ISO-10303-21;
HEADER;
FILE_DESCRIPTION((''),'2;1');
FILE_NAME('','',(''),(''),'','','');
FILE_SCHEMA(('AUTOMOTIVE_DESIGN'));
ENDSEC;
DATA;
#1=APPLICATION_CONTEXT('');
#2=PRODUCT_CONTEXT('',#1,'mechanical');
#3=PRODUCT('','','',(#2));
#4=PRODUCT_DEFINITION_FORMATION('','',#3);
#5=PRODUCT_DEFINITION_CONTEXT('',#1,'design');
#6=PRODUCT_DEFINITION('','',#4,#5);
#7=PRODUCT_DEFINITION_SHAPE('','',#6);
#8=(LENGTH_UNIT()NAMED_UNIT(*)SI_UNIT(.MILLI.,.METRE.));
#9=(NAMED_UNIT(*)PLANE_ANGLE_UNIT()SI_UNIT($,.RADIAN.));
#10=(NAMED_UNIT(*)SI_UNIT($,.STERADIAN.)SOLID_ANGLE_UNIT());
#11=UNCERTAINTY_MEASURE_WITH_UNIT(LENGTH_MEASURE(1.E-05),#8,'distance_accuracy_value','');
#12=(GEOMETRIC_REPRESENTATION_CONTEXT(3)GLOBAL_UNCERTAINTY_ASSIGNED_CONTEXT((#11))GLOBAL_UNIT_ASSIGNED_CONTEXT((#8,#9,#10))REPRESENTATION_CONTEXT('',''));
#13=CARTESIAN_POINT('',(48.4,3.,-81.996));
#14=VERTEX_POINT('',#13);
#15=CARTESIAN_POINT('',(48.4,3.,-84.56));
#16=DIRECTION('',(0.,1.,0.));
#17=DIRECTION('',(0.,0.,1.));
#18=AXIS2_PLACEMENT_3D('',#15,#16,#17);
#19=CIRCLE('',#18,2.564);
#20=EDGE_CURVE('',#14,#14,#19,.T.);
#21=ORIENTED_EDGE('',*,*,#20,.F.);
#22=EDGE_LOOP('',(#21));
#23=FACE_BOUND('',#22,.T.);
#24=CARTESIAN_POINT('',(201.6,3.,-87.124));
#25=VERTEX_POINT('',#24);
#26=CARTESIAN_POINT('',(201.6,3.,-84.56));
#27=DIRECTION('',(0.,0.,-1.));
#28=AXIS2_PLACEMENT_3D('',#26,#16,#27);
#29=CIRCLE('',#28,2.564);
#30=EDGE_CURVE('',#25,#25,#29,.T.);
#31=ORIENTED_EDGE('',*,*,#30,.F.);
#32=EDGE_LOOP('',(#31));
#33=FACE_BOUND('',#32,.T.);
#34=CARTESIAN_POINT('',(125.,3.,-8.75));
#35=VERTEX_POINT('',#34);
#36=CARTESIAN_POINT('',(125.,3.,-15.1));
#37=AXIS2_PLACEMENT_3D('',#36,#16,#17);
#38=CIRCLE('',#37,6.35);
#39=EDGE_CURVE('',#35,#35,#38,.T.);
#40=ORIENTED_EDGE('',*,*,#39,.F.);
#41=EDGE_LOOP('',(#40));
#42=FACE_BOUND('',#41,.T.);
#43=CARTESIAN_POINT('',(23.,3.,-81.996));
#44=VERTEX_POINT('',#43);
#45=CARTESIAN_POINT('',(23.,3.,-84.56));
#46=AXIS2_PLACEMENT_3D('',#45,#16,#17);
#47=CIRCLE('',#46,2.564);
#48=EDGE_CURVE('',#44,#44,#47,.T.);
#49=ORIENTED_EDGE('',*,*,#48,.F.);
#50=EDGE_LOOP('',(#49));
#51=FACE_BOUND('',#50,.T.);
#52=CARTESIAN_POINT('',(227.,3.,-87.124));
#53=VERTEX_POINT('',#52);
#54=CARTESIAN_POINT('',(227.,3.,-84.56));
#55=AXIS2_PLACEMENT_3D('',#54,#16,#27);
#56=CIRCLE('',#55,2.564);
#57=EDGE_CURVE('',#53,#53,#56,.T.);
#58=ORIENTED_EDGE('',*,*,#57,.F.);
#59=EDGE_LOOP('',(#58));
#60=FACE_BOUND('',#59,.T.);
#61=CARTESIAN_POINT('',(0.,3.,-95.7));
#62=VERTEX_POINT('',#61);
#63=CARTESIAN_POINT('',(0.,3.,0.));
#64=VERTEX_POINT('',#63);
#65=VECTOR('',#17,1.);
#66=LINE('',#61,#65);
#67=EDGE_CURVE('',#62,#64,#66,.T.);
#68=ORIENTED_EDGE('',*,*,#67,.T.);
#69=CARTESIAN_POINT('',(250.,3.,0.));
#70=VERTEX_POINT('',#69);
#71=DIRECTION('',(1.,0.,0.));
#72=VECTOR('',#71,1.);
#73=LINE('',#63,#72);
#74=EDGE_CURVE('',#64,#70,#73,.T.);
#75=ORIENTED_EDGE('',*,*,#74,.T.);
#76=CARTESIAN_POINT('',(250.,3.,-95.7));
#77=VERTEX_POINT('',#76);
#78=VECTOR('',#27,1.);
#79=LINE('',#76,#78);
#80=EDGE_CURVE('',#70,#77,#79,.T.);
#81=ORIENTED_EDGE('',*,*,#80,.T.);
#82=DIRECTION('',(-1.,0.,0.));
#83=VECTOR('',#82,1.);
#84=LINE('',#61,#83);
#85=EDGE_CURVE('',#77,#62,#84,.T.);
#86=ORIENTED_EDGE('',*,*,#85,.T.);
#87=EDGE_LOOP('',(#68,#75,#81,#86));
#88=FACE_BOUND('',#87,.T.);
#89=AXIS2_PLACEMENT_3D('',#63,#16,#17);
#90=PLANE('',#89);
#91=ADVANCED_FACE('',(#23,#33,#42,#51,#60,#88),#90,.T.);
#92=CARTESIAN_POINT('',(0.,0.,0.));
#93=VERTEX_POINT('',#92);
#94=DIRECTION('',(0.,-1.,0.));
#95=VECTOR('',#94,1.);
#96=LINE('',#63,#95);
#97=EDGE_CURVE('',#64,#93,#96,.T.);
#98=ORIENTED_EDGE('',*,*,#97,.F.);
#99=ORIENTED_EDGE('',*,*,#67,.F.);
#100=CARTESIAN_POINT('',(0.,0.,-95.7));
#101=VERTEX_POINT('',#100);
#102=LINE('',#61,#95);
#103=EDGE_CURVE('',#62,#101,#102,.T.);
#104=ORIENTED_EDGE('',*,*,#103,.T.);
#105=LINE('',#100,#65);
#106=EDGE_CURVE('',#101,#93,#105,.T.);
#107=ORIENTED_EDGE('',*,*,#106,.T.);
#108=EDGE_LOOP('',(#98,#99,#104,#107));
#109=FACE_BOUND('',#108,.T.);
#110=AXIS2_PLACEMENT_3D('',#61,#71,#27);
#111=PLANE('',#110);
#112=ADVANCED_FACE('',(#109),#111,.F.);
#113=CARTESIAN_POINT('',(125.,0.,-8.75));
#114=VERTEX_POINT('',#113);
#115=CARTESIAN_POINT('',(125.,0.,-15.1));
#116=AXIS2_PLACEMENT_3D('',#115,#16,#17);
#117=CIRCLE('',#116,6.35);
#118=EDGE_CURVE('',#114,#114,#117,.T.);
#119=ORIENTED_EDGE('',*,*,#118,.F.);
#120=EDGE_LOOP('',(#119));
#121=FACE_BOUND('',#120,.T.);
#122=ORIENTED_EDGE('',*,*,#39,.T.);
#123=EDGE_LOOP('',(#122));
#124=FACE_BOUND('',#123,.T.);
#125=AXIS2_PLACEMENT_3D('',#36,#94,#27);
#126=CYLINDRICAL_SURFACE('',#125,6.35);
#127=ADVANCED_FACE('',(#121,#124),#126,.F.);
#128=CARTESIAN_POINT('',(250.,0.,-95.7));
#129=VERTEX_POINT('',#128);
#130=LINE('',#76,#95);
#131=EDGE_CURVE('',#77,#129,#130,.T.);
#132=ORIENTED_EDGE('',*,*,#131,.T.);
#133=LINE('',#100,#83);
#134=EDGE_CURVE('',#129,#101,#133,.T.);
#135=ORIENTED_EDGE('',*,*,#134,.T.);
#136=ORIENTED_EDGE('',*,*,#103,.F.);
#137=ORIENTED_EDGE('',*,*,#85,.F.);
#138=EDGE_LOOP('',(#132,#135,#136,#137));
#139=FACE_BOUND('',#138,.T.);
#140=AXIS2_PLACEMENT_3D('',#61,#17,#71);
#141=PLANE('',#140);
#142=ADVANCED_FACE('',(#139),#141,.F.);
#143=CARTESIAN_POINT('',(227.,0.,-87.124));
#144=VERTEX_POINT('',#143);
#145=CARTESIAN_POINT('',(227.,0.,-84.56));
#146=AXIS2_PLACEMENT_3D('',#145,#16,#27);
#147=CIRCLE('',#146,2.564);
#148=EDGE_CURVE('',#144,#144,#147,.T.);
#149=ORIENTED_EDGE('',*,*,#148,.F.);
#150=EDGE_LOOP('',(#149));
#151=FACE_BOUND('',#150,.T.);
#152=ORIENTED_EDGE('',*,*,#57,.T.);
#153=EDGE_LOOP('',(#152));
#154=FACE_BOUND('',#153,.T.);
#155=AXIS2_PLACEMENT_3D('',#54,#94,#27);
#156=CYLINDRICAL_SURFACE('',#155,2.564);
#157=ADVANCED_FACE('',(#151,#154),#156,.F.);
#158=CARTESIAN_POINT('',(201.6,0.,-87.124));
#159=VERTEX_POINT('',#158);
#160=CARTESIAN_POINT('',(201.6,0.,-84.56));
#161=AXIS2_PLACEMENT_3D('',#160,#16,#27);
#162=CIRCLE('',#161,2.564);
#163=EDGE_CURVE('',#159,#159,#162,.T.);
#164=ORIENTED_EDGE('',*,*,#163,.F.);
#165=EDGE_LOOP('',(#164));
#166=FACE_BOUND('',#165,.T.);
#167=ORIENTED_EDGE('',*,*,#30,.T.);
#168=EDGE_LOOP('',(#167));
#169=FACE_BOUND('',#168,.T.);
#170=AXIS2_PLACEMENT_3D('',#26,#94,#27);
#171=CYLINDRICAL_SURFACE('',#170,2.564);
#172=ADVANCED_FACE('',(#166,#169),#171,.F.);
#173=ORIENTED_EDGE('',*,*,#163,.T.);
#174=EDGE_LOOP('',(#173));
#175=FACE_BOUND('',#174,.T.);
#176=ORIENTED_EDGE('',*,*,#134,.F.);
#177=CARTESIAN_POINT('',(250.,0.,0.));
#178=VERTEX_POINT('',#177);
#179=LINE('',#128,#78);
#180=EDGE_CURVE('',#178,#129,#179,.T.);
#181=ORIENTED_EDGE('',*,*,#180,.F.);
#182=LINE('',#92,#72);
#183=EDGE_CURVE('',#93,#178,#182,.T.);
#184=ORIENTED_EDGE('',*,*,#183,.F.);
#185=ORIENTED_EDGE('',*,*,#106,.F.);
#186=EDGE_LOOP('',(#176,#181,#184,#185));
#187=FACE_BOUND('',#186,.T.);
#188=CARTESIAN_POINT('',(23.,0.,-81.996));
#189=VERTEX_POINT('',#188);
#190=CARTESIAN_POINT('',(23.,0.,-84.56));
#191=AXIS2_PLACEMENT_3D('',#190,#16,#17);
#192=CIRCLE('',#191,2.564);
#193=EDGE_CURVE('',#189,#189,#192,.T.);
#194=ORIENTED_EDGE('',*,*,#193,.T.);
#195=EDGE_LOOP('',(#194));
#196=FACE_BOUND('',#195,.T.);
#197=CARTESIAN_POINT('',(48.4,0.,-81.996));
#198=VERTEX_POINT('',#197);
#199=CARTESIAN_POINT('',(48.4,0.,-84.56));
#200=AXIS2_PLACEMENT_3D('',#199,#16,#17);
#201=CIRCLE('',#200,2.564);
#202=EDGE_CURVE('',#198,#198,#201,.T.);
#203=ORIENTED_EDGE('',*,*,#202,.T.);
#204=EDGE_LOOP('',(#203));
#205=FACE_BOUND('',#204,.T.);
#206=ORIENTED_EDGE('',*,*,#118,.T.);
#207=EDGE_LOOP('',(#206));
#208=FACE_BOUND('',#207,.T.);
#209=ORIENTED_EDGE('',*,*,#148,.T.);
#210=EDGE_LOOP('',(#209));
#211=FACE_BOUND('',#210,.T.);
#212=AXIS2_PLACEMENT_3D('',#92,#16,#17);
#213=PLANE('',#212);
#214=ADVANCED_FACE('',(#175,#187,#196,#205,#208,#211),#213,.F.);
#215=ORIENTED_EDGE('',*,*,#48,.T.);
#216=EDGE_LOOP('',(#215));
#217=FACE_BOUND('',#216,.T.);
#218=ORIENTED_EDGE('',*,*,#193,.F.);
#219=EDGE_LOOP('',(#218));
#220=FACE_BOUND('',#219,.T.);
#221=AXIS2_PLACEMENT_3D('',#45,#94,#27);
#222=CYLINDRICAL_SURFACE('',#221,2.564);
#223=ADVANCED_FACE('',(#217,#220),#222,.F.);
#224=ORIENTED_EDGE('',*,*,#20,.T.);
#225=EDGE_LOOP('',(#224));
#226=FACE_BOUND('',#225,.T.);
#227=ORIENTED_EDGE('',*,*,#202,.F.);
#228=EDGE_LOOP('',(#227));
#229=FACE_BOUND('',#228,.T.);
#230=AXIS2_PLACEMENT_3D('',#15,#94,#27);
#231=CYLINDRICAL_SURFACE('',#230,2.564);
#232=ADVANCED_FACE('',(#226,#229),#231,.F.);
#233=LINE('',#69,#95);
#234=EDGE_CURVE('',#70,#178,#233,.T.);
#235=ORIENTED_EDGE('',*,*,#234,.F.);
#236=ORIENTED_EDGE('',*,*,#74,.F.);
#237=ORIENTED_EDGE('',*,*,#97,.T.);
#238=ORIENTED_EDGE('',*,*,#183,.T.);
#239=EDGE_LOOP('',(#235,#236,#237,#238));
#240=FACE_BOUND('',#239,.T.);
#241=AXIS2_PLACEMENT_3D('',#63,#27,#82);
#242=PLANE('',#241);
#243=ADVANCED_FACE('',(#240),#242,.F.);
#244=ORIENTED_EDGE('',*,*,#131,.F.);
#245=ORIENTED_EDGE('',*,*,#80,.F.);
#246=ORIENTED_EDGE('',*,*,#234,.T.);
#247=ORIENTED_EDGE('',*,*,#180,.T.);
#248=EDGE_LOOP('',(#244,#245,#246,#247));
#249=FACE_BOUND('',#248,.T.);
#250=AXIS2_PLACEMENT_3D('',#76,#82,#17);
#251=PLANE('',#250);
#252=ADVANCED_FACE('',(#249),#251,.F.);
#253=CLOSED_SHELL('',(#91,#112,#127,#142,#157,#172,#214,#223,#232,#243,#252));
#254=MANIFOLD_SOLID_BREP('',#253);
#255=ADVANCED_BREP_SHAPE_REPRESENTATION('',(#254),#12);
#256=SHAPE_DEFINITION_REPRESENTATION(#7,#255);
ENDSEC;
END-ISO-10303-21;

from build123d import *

# Parameters (mm, degrees)
SKETCH1_W           = 250
SKETCH1_H           = 95.7
SKETCH1_R           = 2.564
SKETCH1_R_2         = 6.35
BOSS_EXTRUDE1_DEPTH = 3


with BuildPart() as part:
    # Sketch1 → Boss-Extrude1 (new body)
    with BuildSketch(Plane(origin=(0, 0, 0), x_dir=(1, 0, 0), z_dir=(0, 1, 0))):
        with Locations((125, 47.85)):
            Rectangle(SKETCH1_W, SKETCH1_H)
        with Locations(Location((23, 84.56, 0), (0, 0, 270))):
            Circle(SKETCH1_R, mode=Mode.SUBTRACT)
        with Locations(Location((48.4, 84.56, 0), (0, 0, 270))):
            Circle(SKETCH1_R, mode=Mode.SUBTRACT)
        with Locations(Location((201.6, 84.56, 0), (0, 0, 90))):
            Circle(SKETCH1_R, mode=Mode.SUBTRACT)
        with Locations(Location((227, 84.56, 0), (0, 0, 90))):
            Circle(SKETCH1_R, mode=Mode.SUBTRACT)
        with Locations(Location((125, 15.1, 0), (0, 0, 270))):
            Circle(SKETCH1_R_2, mode=Mode.SUBTRACT)
    extrude(amount=BOSS_EXTRUDE1_DEPTH)


solid = part.part
